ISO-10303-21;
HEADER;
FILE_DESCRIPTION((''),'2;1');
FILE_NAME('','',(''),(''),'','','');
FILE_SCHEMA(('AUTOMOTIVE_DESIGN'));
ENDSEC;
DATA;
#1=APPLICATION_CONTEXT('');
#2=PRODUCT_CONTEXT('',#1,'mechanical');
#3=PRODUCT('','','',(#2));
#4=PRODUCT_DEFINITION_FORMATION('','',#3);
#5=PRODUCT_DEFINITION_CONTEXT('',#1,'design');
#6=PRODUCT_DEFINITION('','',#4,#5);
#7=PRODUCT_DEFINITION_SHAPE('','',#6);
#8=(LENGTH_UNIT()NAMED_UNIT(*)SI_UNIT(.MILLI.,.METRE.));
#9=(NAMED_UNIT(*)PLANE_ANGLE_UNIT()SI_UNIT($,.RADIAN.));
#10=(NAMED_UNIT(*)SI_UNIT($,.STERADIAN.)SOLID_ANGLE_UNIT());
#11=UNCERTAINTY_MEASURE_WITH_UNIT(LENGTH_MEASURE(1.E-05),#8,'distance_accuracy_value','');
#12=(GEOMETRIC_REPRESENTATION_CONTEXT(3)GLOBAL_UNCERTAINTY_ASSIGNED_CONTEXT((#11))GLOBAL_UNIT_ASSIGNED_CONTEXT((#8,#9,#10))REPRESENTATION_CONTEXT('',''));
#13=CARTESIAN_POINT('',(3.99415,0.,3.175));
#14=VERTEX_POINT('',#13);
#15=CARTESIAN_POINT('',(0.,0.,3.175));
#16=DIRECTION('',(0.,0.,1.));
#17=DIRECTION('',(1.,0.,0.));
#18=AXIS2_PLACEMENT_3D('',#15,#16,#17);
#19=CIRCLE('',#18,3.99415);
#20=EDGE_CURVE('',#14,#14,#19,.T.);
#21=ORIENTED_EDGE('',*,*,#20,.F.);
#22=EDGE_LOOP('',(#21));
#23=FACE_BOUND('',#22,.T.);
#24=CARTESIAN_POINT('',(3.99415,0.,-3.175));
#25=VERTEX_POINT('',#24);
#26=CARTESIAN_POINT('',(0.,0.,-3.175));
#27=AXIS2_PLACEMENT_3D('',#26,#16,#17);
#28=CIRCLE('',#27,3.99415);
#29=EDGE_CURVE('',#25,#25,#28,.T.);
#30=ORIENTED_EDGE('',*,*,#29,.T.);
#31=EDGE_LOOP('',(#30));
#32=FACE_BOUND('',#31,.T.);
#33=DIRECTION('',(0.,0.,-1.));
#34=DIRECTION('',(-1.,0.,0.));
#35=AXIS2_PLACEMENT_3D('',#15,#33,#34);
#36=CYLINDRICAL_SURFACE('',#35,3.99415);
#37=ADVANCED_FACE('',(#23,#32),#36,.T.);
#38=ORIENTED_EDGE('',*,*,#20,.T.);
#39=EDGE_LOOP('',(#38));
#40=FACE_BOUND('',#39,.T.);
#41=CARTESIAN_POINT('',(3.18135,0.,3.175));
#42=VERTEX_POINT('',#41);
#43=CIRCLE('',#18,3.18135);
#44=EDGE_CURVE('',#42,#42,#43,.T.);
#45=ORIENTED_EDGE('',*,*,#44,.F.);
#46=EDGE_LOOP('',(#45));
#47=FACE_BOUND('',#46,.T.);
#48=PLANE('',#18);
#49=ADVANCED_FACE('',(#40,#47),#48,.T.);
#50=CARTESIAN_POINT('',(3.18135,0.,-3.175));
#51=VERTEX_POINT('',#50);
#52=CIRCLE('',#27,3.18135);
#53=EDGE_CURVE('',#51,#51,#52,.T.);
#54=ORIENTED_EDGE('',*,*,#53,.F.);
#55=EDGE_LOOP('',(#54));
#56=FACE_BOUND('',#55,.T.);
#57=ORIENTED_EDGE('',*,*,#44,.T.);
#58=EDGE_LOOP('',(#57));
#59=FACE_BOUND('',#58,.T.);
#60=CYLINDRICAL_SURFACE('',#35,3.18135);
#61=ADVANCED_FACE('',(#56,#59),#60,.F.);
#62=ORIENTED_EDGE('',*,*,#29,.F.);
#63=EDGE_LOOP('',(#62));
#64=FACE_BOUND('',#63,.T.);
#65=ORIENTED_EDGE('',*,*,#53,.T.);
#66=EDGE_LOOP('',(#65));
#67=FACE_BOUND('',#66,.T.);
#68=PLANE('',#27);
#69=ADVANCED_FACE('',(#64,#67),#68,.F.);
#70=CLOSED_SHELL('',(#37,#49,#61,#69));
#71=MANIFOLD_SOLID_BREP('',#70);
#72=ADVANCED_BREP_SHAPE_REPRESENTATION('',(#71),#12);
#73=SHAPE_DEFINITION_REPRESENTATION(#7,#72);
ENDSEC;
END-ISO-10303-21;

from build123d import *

# Parameters (mm, degrees)
BOSS_EXTRUDE1_DEPTH      = 3.175
BOSS_EXTRUDE1_DEPTH_BACK = 3.175
SKETCH5_R                = 3.99415
SKETCH5_R_2              = 3.18135


with BuildPart() as part:
    # Sketch5 → Boss-Extrude1 (new, two sides: drawn at the far end of the back side and taken through both)
    with BuildSketch(Plane.XY.offset(-BOSS_EXTRUDE1_DEPTH_BACK)):
        Circle(SKETCH5_R)
        Circle(SKETCH5_R_2, mode=Mode.SUBTRACT)
    extrude(amount=BOSS_EXTRUDE1_DEPTH + BOSS_EXTRUDE1_DEPTH_BACK)


solid = part.part
